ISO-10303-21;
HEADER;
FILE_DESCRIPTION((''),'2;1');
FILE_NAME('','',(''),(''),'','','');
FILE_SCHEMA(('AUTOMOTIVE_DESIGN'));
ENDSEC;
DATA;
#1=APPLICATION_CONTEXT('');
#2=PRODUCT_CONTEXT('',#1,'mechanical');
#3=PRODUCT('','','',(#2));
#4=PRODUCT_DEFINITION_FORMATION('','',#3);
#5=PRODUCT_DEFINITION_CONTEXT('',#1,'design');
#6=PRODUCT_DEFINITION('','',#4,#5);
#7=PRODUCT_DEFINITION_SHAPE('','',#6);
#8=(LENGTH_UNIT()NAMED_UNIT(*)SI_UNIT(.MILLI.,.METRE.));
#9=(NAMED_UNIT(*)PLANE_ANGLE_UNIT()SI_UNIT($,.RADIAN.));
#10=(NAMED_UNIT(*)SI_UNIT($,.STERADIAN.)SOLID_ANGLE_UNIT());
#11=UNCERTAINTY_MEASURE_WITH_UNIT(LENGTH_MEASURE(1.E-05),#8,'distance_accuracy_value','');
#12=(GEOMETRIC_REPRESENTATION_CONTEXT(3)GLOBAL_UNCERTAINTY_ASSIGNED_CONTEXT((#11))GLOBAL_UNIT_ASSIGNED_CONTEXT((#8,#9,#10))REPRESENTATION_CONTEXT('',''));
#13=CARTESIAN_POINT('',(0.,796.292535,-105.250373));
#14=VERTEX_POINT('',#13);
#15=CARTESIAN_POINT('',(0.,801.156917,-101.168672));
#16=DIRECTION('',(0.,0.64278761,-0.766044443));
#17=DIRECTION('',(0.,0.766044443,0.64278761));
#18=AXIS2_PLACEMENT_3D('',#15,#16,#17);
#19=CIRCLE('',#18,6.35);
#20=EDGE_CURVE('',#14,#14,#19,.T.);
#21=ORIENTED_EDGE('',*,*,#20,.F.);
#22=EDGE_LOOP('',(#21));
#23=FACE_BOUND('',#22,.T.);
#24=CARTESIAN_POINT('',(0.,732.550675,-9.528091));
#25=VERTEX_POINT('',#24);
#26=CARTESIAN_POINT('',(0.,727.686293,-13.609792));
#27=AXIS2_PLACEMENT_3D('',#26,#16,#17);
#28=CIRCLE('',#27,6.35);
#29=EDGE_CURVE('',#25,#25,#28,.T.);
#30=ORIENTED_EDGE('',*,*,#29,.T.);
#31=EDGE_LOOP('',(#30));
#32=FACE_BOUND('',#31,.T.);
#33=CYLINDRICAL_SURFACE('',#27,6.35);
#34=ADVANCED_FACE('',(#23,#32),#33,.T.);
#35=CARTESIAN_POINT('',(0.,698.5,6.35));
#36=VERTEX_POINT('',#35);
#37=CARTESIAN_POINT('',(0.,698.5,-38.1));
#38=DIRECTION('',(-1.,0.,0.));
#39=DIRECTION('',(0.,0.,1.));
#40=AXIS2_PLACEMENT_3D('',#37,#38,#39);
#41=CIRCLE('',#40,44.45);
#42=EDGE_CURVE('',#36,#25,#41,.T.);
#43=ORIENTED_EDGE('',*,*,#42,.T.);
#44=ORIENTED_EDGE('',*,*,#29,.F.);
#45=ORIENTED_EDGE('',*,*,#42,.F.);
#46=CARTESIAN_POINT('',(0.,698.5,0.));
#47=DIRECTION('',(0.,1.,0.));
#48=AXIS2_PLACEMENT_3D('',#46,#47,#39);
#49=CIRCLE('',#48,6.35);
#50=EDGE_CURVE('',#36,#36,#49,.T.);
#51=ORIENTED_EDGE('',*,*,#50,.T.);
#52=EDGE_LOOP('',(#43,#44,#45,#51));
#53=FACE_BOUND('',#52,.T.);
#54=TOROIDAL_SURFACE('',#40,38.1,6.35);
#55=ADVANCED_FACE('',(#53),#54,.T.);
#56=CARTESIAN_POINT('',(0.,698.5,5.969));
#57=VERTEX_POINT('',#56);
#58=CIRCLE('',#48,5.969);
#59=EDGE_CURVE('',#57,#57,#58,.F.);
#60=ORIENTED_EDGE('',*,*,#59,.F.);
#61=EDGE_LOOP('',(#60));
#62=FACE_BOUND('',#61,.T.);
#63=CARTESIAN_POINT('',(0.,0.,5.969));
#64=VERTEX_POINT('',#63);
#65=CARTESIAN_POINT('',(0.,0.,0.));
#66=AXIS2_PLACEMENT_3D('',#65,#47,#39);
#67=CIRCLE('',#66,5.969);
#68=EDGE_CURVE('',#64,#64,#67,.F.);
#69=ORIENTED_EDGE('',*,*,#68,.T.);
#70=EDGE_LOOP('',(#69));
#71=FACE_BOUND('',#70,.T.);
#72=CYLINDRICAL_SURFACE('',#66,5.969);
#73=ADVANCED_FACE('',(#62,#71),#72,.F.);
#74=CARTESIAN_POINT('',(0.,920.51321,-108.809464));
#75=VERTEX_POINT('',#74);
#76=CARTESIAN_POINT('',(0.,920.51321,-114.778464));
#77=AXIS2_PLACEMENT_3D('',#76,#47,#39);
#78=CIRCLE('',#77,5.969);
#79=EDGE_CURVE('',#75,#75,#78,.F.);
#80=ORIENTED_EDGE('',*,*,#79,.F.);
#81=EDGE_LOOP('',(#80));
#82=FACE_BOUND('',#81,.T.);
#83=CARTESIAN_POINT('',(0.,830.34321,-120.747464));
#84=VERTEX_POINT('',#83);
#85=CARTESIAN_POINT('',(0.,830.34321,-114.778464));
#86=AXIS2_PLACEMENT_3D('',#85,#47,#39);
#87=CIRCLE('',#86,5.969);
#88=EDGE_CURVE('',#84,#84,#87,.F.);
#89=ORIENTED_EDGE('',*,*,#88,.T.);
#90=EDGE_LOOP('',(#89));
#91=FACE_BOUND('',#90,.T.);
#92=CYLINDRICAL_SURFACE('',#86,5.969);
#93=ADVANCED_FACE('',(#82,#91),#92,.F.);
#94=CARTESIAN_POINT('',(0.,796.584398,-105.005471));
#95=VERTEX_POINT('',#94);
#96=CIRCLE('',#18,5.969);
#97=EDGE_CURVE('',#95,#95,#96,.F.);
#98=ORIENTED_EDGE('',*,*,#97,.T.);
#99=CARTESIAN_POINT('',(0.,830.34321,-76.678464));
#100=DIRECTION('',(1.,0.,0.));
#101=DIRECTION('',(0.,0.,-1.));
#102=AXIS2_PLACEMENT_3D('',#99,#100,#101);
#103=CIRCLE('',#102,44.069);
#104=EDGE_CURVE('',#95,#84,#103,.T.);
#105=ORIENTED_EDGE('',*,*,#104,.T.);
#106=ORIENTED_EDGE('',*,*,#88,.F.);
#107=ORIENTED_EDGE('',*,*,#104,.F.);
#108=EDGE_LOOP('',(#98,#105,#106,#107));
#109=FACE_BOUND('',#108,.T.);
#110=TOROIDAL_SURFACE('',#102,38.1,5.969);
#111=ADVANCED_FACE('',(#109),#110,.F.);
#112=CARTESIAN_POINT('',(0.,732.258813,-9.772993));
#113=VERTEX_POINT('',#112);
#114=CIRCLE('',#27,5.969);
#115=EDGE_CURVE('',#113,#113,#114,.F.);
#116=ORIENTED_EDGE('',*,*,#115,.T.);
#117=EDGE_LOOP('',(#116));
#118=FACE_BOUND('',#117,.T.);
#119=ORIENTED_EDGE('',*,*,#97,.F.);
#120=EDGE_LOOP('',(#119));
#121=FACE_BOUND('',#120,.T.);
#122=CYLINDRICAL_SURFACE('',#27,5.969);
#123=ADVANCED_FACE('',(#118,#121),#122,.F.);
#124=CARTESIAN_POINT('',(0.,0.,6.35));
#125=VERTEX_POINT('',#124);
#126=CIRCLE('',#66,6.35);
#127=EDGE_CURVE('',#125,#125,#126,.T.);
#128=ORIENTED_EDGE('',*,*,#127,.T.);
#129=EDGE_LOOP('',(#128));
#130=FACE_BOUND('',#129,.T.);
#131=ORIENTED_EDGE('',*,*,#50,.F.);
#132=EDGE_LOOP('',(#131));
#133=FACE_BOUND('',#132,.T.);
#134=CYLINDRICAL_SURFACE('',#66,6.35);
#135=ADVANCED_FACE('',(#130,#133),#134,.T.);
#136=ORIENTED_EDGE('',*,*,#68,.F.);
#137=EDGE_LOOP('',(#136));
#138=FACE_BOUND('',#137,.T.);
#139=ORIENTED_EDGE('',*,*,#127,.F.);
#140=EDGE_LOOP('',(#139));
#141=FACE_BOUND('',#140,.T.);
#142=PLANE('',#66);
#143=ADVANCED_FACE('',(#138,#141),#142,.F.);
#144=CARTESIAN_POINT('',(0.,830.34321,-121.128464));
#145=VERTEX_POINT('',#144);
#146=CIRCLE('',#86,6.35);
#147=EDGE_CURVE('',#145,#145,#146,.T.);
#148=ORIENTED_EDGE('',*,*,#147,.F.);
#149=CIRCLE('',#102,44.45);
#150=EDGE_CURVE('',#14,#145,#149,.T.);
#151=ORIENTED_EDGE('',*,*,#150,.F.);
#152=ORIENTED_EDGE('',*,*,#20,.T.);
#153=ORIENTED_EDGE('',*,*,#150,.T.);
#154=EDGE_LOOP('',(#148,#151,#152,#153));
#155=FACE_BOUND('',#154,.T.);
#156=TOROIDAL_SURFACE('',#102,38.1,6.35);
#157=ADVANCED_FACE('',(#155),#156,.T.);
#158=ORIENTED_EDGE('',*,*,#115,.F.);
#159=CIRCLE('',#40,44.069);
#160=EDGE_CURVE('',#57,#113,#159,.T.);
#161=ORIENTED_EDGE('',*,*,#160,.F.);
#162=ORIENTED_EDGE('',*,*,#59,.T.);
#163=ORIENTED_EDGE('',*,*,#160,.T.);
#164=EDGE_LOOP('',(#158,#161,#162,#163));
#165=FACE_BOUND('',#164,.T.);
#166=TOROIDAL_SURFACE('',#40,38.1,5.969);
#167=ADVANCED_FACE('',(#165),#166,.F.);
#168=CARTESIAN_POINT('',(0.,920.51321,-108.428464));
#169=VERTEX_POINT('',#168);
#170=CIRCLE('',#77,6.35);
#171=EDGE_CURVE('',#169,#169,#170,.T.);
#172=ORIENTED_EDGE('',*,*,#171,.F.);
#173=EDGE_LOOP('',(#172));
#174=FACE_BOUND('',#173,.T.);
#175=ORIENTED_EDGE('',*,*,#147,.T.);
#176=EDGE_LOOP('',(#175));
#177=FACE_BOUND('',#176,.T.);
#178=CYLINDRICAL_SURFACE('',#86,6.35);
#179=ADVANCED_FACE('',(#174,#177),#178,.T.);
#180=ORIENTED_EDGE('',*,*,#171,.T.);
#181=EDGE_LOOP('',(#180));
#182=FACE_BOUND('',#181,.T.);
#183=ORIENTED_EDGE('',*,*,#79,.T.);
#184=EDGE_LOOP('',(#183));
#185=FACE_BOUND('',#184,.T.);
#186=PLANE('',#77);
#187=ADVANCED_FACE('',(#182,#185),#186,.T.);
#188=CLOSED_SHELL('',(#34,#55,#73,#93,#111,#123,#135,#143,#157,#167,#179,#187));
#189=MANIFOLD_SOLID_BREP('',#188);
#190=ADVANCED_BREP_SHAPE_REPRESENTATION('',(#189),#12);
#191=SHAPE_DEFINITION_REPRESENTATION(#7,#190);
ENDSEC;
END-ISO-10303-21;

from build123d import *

# Parameters (mm, degrees)
SKETCH1_R   = 6.35
SKETCH1_R_2 = 5.969


with BuildPart() as part:
    # Sweep2: sweep along a path in Sketch2
    with BuildLine(Plane(origin=(0, 0, 0), x_dir=(0, 0, -1), z_dir=(1, 0, 0))) as sweep2_path:
        Line((0, 0), (0, 698.5))
        ThreePointArc((0, 698.5), (3.569673314, 714.601755772), (13.609792071, 727.686293283))
        Line((13.609792071, 727.686293283), (101.168671919, 801.15691707))
        ThreePointArc((101.168671919, 801.15691707), (111.208790676, 814.241454581), (114.77846399, 830.343210353))
        Line((114.77846399, 830.343210353), (114.77846399, 920.513210353))
    # Sketch1 → Sweep2 (sweep)
    with BuildSketch(Plane(origin=(0, 0, 0), x_dir=(1, 0, 0), z_dir=(0, 1, 0))):
        Circle(SKETCH1_R)
        Circle(SKETCH1_R_2, mode=Mode.SUBTRACT)
    sweep(path=sweep2_path.line)


solid = part.part
